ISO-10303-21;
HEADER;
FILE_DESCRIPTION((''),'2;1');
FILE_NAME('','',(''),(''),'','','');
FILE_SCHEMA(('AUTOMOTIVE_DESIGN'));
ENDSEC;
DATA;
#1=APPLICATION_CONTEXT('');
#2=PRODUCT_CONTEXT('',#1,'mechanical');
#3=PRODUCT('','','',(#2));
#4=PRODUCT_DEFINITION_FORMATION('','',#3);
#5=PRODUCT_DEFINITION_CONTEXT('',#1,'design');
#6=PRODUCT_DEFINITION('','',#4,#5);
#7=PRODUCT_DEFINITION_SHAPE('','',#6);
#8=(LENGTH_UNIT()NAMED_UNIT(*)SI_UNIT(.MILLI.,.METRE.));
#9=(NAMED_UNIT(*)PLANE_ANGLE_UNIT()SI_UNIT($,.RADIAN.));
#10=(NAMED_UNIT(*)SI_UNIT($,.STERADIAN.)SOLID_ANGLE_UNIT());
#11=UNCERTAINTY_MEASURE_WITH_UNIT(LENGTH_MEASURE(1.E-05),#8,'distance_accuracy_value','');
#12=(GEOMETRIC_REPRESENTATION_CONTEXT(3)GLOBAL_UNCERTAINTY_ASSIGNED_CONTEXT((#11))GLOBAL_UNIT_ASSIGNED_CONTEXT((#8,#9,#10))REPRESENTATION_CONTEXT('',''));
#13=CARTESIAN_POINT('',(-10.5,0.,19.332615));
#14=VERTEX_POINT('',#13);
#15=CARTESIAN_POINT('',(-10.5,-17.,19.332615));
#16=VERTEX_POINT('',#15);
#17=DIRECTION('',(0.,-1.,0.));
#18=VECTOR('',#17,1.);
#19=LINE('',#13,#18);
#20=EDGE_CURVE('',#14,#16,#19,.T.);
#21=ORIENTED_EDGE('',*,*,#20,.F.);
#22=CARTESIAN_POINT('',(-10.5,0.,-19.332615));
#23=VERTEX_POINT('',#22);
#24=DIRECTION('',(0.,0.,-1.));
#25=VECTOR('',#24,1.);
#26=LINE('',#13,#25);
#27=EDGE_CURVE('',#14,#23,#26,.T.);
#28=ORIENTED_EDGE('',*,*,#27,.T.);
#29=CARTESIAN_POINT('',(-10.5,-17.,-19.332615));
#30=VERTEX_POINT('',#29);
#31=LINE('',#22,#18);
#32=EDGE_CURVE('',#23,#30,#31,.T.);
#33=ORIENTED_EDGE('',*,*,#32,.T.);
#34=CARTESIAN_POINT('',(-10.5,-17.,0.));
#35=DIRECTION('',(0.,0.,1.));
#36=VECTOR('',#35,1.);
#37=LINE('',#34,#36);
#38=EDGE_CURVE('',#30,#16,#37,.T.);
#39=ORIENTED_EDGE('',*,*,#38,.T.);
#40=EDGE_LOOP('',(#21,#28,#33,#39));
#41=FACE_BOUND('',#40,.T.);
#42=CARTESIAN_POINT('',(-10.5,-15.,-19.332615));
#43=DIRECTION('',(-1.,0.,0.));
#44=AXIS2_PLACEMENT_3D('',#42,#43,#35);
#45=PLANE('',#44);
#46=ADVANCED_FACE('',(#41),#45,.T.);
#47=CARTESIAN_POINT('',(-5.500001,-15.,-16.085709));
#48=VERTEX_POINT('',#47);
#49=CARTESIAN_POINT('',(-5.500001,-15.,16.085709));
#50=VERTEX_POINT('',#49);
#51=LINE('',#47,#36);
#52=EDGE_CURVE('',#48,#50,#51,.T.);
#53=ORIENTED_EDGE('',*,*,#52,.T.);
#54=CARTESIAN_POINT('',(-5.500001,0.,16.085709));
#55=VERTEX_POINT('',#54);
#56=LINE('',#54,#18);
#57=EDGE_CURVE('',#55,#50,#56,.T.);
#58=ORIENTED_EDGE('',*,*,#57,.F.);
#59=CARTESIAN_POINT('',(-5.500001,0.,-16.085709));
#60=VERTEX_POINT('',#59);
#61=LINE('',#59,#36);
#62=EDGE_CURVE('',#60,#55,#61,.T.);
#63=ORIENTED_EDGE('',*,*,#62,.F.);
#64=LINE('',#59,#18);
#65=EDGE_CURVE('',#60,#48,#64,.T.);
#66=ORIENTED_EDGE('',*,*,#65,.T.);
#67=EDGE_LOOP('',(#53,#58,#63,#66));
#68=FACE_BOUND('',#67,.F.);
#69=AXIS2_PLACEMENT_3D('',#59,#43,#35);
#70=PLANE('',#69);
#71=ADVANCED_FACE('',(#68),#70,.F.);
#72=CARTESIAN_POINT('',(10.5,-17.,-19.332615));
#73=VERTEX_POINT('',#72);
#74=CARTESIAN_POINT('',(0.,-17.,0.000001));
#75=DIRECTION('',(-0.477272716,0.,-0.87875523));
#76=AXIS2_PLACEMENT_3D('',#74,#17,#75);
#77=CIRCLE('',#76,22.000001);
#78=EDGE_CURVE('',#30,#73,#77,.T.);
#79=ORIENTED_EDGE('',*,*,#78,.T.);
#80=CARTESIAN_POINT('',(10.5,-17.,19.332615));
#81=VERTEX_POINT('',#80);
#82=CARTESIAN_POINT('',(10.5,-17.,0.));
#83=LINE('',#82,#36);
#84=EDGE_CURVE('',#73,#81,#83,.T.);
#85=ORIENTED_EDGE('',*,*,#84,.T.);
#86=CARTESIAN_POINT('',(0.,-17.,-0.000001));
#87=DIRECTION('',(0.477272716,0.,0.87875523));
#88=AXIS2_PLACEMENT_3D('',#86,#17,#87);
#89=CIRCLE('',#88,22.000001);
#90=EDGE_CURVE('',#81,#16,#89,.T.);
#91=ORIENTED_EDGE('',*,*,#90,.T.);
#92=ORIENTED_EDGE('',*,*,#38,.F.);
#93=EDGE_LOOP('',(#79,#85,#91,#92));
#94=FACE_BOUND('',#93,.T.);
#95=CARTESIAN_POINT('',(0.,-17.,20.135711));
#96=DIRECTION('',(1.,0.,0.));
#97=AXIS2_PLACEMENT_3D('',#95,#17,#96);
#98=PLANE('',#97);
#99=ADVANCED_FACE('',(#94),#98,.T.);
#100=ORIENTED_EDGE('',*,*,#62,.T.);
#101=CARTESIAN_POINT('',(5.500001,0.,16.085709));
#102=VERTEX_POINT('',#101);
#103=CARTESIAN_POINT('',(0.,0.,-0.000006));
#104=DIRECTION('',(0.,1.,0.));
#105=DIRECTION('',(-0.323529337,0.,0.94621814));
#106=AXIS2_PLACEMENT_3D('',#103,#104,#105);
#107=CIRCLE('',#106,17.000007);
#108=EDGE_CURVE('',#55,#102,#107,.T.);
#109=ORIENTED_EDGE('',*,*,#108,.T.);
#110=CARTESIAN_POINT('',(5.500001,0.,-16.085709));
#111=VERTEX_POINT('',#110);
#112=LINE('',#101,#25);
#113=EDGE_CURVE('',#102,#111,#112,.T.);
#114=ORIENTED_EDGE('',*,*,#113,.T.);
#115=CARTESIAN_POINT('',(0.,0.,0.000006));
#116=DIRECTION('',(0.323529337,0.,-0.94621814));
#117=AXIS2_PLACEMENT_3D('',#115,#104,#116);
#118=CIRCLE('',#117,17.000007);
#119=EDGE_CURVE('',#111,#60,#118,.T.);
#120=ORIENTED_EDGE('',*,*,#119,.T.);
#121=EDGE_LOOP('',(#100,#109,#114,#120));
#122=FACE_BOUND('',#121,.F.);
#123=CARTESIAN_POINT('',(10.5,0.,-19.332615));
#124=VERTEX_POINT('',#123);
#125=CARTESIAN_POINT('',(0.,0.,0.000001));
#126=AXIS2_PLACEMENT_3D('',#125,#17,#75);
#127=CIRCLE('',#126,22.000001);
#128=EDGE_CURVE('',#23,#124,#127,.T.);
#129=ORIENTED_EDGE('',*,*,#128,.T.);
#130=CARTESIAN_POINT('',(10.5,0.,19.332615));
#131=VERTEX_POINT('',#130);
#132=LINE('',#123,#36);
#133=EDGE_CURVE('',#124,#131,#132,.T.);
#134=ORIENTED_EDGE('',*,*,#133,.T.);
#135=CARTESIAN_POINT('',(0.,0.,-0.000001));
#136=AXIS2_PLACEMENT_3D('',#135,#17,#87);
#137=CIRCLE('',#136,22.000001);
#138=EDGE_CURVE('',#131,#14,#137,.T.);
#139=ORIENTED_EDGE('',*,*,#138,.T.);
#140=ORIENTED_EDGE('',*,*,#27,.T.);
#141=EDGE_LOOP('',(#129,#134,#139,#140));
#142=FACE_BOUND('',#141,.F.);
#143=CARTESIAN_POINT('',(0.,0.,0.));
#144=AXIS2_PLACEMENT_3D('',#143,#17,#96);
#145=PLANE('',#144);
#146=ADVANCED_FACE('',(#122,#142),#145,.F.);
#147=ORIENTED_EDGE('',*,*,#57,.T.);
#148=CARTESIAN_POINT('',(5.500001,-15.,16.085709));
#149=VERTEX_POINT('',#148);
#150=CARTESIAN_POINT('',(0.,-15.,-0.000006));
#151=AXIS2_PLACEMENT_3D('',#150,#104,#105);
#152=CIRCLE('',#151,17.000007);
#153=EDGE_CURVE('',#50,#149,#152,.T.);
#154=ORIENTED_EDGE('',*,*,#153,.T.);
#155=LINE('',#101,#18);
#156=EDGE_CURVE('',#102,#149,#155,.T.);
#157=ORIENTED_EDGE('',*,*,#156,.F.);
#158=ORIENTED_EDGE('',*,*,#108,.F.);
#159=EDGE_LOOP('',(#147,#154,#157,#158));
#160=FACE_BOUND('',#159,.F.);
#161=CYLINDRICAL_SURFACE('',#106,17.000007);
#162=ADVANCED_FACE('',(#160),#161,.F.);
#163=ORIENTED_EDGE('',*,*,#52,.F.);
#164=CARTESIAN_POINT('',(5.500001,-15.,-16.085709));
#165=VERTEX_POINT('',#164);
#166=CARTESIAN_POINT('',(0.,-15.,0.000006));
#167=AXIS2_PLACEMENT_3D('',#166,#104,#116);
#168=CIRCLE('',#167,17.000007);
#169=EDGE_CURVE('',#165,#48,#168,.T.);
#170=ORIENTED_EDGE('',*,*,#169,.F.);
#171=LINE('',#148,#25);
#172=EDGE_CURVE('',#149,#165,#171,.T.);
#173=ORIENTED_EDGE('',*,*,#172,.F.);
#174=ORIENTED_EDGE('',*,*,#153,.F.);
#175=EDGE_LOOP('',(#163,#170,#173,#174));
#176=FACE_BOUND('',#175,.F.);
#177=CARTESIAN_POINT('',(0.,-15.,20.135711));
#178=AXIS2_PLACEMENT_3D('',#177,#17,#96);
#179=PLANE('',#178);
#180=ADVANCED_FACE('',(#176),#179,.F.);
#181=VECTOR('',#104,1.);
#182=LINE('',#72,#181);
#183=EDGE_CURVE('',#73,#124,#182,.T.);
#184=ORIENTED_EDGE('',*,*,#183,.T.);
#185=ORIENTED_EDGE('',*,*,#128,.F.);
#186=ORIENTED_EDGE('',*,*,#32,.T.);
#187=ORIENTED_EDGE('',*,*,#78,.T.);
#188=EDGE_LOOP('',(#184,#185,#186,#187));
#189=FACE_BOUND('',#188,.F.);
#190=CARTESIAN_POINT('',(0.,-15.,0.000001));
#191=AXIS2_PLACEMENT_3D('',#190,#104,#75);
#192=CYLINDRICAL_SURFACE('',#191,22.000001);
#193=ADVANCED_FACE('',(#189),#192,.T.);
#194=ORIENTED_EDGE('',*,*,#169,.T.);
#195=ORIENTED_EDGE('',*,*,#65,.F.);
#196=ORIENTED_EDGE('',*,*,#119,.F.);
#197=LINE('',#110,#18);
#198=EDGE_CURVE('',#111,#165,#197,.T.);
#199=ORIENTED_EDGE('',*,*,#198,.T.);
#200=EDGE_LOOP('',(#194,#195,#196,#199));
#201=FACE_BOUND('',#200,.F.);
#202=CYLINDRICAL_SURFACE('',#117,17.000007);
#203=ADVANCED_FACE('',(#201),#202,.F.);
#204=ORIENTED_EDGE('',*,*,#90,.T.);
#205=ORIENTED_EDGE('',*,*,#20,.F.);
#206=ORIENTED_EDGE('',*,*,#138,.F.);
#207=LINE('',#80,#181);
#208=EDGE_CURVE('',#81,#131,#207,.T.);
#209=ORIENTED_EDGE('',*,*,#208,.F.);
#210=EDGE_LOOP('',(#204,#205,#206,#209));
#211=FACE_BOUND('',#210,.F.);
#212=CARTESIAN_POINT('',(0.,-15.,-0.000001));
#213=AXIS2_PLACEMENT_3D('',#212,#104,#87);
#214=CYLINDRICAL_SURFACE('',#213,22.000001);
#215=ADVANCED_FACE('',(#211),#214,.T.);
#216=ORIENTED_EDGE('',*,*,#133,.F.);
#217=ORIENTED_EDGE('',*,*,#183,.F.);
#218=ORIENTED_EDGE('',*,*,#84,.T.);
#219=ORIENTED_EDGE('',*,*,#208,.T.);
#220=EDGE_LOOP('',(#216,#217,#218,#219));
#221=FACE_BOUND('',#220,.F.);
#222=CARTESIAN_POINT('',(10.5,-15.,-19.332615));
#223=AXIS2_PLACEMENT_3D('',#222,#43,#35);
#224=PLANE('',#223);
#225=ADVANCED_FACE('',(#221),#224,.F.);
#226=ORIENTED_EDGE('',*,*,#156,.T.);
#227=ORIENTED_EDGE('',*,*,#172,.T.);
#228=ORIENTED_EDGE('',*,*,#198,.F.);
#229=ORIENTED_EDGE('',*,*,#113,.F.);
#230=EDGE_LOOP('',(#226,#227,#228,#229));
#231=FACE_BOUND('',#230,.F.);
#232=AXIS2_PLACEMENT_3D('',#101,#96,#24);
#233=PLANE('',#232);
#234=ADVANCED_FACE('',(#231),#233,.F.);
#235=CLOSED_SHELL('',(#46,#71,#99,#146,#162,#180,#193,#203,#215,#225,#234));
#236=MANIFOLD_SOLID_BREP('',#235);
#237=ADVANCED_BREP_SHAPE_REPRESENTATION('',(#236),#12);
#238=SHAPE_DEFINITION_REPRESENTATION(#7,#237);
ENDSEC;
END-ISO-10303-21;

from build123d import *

# Parameters (mm, degrees)
F1_DEPTH = 15
F2_W     = 21
F2_H     = 38.66523
F3_DEPTH = 2


with BuildPart() as f1:
    # F0 (on Front) → F1 (new body)
    with BuildSketch(Plane.XZ):
        with BuildLine():
            Line((-10.5, 19.332615), (-10.5, -19.332615))
            ThreePointArc((-10.5, -19.332615), (0, -22), (10.5, -19.332615))
            Line((10.5, -19.332615), (10.5, 19.332615))
            ThreePointArc((10.5, 19.332615), (0, 22), (-10.5, 19.332615))
        make_face()
        with BuildLine():
            ThreePointArc((-5.500001, 16.085709), (0, 17.000001), (5.500001, 16.085709))
            Line((5.500001, 16.085709), (5.500001, -16.085709))
            ThreePointArc((5.500001, -16.085709), (0, -17.000001), (-5.500001, -16.085709))
            Line((-5.500001, -16.085709), (-5.500001, 16.085709))
        make_face(mode=Mode.SUBTRACT)
    extrude(amount=F1_DEPTH)

    # F2 (on face) → F3 (join)
    with BuildSketch(Plane.XZ.offset(15)):
        with BuildLine():
            ThreePointArc((10.5, 19.332615), (0, 22), (-10.5, 19.332615))
            Line((-10.5, 19.332615), (10.5, 19.332615))
        make_face()
        Rectangle(F2_W, F2_H)
        with BuildLine():
            Line((10.5, -19.332615), (-10.5, -19.332615))
            ThreePointArc((-10.5, -19.332615), (0, -22), (10.5, -19.332615))
        make_face()
    extrude(amount=F3_DEPTH)


solid = f1.part
